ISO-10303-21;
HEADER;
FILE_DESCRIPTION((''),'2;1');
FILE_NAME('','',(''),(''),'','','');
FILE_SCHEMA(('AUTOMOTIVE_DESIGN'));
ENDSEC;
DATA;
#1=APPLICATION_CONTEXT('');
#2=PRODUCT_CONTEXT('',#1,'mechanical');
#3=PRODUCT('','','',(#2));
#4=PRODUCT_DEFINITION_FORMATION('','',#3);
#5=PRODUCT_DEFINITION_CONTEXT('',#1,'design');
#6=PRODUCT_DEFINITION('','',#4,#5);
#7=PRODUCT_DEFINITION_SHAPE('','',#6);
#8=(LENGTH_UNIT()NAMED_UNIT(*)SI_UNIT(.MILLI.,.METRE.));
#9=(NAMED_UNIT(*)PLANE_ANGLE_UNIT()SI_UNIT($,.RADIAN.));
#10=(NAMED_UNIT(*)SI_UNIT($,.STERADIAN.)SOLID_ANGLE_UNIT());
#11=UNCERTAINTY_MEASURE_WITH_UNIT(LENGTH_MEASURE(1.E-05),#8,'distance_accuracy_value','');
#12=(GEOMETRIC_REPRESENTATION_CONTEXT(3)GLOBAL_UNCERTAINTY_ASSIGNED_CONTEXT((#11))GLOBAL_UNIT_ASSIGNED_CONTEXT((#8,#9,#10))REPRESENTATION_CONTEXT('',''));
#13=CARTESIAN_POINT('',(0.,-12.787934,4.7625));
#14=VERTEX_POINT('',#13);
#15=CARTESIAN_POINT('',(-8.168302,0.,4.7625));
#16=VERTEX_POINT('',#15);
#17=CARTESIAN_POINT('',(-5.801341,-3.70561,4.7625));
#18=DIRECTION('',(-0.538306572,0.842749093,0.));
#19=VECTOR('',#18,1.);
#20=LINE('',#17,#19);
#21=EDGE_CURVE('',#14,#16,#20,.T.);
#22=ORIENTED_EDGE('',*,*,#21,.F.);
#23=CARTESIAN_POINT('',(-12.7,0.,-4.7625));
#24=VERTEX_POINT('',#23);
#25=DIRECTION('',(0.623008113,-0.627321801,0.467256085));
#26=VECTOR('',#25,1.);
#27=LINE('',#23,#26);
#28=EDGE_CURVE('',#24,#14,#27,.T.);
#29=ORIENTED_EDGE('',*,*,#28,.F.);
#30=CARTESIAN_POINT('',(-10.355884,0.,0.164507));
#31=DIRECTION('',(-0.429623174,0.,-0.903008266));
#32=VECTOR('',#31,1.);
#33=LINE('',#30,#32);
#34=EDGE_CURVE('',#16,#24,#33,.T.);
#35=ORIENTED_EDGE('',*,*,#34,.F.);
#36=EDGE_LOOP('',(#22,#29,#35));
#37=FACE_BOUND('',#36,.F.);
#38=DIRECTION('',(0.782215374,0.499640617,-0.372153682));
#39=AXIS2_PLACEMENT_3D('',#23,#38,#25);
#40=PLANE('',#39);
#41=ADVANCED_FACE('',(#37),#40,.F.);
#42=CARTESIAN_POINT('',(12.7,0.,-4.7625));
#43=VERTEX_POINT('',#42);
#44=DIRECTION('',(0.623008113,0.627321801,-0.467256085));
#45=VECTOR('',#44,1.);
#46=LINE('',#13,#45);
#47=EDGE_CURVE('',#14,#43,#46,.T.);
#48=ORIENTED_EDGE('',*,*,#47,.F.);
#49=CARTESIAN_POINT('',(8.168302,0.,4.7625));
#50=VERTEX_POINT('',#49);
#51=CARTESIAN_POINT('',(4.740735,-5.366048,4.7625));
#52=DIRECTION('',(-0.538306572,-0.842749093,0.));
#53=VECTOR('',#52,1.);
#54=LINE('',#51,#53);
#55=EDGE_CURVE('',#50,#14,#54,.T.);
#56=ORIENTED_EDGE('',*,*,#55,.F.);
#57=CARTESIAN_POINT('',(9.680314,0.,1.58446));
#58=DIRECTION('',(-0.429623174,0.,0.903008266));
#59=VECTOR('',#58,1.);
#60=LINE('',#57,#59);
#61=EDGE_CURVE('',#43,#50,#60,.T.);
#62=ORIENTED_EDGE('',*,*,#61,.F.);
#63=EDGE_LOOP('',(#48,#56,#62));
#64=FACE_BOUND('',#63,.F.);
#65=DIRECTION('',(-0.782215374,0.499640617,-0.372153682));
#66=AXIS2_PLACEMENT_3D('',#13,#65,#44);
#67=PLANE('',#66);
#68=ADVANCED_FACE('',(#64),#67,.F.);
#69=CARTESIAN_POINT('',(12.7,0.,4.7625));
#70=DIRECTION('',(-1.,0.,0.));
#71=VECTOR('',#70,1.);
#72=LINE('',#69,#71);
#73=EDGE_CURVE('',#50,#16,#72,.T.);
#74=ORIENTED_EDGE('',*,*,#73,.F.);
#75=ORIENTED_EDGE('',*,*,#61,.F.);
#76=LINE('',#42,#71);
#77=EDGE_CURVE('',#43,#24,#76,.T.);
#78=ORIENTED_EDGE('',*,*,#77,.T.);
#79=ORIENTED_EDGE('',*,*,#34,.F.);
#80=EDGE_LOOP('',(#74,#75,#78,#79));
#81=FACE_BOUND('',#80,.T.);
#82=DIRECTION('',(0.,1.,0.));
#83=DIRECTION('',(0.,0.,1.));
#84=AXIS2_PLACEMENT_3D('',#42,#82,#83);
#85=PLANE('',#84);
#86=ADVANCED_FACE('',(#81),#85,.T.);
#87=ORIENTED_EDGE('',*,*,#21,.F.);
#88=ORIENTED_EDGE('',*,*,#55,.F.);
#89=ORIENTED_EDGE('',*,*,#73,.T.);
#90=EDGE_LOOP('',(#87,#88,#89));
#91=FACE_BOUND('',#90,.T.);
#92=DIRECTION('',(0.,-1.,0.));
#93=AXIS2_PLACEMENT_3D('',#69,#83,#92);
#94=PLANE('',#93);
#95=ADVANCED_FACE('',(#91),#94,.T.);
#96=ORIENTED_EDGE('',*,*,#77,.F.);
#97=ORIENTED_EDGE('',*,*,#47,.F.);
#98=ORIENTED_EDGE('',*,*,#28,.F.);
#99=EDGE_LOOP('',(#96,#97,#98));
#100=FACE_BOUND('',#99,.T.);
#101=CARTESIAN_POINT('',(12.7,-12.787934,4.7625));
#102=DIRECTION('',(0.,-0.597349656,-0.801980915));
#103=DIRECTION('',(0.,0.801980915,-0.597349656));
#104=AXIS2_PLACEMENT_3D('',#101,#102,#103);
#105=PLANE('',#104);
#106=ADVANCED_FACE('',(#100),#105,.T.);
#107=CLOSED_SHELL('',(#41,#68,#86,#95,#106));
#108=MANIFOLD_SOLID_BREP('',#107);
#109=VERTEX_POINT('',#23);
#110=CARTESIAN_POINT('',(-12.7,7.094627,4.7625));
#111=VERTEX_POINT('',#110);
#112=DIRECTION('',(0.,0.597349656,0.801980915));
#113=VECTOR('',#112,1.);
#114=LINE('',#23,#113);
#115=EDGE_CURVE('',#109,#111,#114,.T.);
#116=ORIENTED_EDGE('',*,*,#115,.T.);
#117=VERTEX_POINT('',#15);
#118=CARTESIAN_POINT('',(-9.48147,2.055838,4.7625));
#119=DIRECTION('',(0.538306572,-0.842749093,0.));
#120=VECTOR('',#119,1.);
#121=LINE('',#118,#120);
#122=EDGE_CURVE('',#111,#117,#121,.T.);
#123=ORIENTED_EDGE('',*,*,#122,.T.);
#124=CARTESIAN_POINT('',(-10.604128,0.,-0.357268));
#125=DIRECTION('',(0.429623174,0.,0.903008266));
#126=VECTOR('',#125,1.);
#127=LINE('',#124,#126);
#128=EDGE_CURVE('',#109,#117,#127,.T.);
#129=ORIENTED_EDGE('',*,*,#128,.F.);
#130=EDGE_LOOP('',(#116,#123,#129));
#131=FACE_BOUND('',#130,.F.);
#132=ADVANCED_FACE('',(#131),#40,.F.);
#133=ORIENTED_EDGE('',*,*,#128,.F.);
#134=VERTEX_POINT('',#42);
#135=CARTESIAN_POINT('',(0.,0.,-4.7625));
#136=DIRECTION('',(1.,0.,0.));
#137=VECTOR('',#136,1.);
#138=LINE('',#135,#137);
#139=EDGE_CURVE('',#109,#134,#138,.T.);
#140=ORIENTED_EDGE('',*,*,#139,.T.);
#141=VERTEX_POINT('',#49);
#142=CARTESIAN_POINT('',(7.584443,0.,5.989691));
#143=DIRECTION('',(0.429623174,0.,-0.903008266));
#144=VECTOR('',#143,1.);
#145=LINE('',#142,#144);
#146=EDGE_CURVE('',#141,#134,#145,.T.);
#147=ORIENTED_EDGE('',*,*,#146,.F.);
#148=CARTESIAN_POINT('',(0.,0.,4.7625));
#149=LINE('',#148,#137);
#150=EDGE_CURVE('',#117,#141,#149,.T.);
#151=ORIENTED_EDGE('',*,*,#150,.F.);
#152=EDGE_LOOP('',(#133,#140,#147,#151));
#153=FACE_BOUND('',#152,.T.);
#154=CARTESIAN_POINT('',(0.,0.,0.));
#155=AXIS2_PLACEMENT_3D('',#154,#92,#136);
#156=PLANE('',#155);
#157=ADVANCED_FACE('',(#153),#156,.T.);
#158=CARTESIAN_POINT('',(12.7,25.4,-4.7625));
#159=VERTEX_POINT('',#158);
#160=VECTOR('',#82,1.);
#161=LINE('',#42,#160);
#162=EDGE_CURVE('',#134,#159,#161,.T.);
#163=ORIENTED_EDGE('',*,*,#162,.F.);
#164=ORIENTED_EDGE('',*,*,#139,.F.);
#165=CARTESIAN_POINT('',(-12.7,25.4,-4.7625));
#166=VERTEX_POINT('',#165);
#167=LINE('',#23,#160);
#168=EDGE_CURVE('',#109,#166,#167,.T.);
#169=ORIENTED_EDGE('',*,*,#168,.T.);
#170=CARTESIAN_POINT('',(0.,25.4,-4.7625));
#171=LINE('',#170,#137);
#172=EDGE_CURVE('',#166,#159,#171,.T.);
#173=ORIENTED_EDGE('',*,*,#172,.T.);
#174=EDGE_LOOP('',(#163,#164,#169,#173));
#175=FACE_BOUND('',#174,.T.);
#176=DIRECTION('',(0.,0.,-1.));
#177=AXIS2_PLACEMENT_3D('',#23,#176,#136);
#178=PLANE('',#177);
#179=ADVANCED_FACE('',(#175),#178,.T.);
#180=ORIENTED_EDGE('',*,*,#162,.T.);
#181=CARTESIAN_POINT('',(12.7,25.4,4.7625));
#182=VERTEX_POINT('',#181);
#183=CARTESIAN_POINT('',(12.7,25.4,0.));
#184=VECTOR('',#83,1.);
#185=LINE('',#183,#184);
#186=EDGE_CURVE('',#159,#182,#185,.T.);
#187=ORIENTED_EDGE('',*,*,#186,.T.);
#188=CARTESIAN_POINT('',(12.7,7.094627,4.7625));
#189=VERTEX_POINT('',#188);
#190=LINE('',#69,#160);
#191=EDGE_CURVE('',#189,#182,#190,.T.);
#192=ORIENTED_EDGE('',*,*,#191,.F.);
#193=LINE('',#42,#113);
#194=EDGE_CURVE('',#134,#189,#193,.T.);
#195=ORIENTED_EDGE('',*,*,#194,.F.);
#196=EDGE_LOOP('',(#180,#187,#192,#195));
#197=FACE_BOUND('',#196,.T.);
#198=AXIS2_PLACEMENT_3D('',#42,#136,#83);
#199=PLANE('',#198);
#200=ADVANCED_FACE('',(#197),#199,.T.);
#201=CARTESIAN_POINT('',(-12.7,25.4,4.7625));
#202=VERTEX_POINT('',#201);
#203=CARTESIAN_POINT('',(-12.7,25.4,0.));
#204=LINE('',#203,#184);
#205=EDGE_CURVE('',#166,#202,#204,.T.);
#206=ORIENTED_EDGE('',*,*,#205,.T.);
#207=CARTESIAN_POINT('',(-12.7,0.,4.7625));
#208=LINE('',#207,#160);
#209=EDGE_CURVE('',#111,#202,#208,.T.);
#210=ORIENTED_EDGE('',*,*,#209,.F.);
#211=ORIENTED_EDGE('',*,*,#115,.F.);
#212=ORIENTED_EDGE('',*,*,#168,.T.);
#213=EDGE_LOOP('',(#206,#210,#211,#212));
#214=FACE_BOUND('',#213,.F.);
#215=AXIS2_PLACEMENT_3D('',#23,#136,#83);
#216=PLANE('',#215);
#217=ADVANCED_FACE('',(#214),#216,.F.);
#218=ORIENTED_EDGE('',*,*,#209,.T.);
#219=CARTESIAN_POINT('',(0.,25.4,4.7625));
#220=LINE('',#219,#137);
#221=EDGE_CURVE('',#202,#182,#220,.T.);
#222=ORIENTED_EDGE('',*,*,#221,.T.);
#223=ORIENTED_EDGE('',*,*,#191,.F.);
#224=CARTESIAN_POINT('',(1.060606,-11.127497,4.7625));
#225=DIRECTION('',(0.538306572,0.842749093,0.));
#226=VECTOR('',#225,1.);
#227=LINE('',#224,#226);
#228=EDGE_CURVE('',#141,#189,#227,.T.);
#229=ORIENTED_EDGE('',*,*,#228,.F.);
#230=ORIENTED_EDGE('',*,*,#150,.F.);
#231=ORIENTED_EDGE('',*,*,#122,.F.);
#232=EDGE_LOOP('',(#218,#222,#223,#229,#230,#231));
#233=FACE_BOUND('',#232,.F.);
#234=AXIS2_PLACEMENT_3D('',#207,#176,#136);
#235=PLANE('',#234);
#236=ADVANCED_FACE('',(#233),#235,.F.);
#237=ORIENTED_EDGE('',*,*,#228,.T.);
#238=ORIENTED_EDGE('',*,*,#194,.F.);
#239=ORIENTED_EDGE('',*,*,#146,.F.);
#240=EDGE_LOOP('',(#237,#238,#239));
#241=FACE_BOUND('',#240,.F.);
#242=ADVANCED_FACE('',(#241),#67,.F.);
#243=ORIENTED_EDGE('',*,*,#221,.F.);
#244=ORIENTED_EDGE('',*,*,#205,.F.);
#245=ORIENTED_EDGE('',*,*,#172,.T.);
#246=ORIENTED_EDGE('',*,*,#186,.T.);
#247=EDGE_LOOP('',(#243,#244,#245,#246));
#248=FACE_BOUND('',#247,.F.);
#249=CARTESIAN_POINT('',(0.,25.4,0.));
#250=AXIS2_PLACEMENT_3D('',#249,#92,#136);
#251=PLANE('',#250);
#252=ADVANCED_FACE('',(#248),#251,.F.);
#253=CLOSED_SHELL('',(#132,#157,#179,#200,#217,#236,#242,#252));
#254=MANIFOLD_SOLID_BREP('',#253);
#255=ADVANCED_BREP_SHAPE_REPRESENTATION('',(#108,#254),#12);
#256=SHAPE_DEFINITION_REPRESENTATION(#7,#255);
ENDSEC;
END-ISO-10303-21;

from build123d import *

# Parameters (mm, degrees)
F0_W     = 25.4
F0_H     = 9.525
F1_DEPTH = 25.4
F3_DEPTH = 25.4
F5_DEPTH = 33.9526981115


with BuildPart() as f1:
    # F0 (on Front) → F1 (new body)
    with BuildSketch(Plane.XZ):
        Rectangle(F0_W, F0_H)
    extrude(amount=-F1_DEPTH)


with BuildPart() as f3:
    # F2 (on face) → F3 (new body)
    with BuildSketch(Plane.YZ.offset(12.7)):
        Polygon((0, -4.7625), (0, 4.7625), (-12.7879343927, 4.7625), align=None)
    extrude(amount=-F3_DEPTH)


with BuildPart() as f5_tool:
    # F4 (on face) → F5 (new body)
    with BuildSketch(Plane(origin=(0, -2.2815376518, -3.0631132604), x_dir=(1, 0, 0), z_dir=(0, -0.5973496564, -0.801980915))):
        Polygon((-12.7, -2.8448777385), (0, 13.1005570637), (-12.7, 13.1005570637), align=None)
        Polygon((0, 13.1005570637), (12.7, -2.8448777385), (12.7, 13.1005570637), align=None)
    extrude(amount=-F5_DEPTH)


with BuildPart() as f1_1:
    add(f1.part)

    # F5: cut by f5_tool
    add(f5_tool.part, mode=Mode.SUBTRACT)


with BuildPart() as f3_1:
    add(f3.part)

    # F5: cut by f5_tool
    add(f5_tool.part, mode=Mode.SUBTRACT)


solid = Compound([f1_1.part, f3_1.part])
